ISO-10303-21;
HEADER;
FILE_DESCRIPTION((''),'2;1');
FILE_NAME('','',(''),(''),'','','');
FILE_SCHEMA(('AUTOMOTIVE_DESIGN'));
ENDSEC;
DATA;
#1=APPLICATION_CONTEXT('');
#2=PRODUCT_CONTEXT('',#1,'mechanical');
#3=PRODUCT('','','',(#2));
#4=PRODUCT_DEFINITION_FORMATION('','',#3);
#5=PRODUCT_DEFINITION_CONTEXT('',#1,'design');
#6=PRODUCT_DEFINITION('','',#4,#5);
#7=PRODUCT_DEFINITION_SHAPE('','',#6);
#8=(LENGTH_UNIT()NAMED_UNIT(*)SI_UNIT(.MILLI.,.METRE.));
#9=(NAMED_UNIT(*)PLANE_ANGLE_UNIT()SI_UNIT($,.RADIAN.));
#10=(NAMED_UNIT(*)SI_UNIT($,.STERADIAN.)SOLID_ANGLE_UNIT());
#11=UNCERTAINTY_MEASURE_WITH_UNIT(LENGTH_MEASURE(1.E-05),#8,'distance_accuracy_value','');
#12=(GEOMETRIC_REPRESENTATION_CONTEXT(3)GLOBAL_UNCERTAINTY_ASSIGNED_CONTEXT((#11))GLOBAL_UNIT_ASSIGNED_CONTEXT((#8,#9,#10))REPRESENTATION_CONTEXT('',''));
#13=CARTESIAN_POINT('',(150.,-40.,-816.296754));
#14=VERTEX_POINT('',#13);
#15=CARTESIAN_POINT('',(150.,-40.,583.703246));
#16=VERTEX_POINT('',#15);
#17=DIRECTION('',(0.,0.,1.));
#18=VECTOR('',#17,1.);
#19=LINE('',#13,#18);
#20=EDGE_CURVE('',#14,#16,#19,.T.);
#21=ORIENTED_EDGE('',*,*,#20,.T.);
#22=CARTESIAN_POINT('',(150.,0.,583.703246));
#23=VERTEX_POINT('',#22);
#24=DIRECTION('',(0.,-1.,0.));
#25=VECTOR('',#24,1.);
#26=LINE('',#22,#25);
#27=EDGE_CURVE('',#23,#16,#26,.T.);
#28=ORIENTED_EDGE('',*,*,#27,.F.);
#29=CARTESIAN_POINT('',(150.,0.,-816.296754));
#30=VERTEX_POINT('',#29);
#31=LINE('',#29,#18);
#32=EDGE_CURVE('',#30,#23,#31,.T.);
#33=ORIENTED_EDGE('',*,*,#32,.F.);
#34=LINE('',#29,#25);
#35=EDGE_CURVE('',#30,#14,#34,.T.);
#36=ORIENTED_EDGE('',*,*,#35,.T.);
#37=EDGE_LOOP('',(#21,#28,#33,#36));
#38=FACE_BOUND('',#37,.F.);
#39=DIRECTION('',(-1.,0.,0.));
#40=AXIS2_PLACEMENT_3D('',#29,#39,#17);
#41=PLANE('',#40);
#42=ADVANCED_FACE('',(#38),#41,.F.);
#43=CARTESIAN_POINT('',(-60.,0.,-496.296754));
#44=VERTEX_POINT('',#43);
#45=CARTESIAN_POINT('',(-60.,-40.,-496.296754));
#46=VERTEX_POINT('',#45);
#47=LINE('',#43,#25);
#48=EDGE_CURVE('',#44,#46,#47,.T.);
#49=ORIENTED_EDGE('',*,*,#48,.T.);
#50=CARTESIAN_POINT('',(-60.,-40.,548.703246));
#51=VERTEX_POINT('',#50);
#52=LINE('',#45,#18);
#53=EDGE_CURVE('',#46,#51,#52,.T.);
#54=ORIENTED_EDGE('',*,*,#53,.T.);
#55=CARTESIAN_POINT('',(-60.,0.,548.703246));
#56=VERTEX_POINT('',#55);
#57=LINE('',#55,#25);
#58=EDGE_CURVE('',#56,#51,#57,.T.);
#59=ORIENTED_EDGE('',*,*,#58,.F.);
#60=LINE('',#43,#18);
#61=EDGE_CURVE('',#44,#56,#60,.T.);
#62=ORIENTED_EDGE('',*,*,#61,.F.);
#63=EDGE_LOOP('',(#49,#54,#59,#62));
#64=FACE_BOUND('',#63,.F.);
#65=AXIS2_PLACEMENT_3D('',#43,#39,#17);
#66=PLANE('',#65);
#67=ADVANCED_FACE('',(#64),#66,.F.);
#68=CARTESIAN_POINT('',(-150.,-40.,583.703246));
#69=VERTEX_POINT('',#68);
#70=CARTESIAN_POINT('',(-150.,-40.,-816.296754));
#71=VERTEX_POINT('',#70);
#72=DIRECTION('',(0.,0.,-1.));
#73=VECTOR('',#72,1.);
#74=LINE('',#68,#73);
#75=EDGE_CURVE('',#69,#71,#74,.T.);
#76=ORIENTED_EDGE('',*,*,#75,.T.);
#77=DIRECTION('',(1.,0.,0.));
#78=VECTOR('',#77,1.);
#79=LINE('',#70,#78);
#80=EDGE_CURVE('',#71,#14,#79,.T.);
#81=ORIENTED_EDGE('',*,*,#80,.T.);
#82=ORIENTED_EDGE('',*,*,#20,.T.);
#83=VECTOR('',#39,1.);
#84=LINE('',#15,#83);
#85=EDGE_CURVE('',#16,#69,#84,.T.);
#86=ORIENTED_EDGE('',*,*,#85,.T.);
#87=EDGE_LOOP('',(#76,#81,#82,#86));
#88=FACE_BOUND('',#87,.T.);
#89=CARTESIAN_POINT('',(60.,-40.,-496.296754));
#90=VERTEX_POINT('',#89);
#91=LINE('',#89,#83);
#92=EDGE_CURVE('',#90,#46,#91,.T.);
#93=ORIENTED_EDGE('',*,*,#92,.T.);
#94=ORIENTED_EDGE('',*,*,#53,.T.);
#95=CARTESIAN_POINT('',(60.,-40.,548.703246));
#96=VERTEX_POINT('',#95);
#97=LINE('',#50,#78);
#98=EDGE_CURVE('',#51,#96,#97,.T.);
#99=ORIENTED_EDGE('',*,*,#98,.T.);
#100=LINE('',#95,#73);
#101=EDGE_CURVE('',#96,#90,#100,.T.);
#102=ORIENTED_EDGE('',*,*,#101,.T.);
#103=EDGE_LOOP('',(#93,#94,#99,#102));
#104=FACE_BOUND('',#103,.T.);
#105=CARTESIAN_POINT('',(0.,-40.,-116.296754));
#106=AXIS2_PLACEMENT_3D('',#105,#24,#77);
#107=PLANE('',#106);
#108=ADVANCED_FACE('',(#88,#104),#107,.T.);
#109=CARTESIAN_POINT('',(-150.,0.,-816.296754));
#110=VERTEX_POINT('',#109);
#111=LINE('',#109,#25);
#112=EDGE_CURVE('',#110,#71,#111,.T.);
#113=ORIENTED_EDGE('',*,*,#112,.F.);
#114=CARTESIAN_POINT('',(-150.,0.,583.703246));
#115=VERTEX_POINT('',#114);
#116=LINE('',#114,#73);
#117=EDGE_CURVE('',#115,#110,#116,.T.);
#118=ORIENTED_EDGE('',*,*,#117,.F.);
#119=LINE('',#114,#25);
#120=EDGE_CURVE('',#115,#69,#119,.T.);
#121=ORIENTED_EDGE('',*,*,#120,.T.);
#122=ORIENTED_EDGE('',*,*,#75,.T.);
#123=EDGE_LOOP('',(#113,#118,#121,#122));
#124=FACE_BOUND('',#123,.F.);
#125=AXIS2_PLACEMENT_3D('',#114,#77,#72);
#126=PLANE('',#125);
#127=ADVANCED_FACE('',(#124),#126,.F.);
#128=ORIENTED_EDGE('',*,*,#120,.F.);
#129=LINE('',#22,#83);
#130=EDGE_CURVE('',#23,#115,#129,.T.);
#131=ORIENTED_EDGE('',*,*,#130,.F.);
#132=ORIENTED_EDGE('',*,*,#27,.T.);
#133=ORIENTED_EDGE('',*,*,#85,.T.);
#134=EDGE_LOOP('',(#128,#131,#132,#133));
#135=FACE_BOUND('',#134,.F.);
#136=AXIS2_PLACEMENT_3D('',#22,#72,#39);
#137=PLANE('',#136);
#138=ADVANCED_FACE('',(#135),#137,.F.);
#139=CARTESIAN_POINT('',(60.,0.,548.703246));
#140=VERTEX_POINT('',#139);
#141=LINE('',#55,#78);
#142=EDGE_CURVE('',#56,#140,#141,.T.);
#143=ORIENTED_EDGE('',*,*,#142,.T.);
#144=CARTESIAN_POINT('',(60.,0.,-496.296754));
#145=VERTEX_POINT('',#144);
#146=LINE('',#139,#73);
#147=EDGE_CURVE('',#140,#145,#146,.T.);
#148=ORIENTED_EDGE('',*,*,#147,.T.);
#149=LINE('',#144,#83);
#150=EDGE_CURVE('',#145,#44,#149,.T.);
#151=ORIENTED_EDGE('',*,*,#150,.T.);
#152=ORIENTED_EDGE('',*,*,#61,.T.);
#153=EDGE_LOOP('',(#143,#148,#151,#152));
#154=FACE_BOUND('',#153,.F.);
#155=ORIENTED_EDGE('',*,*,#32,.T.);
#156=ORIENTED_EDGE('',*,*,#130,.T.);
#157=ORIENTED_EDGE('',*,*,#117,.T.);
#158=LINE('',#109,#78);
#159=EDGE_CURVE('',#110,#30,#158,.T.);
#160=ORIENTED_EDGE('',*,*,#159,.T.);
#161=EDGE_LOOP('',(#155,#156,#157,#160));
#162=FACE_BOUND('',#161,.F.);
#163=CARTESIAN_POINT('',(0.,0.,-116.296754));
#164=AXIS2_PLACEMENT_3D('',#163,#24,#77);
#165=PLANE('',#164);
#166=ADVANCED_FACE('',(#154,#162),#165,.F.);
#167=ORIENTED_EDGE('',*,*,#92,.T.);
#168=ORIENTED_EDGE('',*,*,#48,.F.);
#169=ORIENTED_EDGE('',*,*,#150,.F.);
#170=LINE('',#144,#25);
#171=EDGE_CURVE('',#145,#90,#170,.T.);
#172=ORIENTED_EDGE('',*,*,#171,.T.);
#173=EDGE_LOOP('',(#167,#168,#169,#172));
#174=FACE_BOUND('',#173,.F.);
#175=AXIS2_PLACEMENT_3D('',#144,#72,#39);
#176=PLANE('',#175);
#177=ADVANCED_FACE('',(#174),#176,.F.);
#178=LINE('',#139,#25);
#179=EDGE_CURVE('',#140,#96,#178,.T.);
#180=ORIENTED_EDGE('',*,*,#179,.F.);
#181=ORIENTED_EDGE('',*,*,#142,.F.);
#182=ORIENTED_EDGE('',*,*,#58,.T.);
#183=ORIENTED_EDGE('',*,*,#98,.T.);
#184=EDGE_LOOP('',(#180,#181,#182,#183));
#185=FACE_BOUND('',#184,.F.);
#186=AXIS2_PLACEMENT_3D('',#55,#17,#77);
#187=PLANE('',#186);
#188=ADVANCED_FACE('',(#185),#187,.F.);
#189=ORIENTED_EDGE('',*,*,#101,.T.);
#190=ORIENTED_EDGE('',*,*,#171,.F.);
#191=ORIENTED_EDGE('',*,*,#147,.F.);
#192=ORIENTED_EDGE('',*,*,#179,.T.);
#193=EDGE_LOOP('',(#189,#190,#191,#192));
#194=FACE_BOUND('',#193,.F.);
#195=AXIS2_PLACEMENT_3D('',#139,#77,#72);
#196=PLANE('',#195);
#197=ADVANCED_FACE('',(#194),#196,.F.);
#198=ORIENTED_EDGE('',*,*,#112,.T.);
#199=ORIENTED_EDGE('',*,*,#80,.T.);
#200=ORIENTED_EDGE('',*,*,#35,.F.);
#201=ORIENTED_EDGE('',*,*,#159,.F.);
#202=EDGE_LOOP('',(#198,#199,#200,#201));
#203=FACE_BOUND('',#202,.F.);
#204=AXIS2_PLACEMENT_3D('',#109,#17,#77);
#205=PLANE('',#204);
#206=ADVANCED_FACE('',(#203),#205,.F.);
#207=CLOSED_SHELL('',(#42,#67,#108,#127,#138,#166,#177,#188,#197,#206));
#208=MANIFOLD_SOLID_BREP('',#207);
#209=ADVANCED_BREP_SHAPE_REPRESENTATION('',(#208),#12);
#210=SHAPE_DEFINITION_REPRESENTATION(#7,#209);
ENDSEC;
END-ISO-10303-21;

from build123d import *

# Parameters (mm, degrees)
F1_DEPTH = 40


with BuildPart() as f1:
    # F0 (on Front) → F1 (new body)
    with BuildSketch(Plane.XZ):
        Polygon((0, 583.703246), (-150, 583.703246), (-150, -816.296754), (150, -816.296754), (150, 583.703246), (50, 583.703246), (21.25, 583.703246), align=None)
        Polygon((-60, 548.703246), (0, 548.703246), (60, 548.703246), (60, 519.451317), (60, -441.296754), (60, -496.296754), (-60, -496.296754), (-60, -441.296754), align=None, mode=Mode.SUBTRACT)
    extrude(amount=F1_DEPTH)


solid = f1.part
